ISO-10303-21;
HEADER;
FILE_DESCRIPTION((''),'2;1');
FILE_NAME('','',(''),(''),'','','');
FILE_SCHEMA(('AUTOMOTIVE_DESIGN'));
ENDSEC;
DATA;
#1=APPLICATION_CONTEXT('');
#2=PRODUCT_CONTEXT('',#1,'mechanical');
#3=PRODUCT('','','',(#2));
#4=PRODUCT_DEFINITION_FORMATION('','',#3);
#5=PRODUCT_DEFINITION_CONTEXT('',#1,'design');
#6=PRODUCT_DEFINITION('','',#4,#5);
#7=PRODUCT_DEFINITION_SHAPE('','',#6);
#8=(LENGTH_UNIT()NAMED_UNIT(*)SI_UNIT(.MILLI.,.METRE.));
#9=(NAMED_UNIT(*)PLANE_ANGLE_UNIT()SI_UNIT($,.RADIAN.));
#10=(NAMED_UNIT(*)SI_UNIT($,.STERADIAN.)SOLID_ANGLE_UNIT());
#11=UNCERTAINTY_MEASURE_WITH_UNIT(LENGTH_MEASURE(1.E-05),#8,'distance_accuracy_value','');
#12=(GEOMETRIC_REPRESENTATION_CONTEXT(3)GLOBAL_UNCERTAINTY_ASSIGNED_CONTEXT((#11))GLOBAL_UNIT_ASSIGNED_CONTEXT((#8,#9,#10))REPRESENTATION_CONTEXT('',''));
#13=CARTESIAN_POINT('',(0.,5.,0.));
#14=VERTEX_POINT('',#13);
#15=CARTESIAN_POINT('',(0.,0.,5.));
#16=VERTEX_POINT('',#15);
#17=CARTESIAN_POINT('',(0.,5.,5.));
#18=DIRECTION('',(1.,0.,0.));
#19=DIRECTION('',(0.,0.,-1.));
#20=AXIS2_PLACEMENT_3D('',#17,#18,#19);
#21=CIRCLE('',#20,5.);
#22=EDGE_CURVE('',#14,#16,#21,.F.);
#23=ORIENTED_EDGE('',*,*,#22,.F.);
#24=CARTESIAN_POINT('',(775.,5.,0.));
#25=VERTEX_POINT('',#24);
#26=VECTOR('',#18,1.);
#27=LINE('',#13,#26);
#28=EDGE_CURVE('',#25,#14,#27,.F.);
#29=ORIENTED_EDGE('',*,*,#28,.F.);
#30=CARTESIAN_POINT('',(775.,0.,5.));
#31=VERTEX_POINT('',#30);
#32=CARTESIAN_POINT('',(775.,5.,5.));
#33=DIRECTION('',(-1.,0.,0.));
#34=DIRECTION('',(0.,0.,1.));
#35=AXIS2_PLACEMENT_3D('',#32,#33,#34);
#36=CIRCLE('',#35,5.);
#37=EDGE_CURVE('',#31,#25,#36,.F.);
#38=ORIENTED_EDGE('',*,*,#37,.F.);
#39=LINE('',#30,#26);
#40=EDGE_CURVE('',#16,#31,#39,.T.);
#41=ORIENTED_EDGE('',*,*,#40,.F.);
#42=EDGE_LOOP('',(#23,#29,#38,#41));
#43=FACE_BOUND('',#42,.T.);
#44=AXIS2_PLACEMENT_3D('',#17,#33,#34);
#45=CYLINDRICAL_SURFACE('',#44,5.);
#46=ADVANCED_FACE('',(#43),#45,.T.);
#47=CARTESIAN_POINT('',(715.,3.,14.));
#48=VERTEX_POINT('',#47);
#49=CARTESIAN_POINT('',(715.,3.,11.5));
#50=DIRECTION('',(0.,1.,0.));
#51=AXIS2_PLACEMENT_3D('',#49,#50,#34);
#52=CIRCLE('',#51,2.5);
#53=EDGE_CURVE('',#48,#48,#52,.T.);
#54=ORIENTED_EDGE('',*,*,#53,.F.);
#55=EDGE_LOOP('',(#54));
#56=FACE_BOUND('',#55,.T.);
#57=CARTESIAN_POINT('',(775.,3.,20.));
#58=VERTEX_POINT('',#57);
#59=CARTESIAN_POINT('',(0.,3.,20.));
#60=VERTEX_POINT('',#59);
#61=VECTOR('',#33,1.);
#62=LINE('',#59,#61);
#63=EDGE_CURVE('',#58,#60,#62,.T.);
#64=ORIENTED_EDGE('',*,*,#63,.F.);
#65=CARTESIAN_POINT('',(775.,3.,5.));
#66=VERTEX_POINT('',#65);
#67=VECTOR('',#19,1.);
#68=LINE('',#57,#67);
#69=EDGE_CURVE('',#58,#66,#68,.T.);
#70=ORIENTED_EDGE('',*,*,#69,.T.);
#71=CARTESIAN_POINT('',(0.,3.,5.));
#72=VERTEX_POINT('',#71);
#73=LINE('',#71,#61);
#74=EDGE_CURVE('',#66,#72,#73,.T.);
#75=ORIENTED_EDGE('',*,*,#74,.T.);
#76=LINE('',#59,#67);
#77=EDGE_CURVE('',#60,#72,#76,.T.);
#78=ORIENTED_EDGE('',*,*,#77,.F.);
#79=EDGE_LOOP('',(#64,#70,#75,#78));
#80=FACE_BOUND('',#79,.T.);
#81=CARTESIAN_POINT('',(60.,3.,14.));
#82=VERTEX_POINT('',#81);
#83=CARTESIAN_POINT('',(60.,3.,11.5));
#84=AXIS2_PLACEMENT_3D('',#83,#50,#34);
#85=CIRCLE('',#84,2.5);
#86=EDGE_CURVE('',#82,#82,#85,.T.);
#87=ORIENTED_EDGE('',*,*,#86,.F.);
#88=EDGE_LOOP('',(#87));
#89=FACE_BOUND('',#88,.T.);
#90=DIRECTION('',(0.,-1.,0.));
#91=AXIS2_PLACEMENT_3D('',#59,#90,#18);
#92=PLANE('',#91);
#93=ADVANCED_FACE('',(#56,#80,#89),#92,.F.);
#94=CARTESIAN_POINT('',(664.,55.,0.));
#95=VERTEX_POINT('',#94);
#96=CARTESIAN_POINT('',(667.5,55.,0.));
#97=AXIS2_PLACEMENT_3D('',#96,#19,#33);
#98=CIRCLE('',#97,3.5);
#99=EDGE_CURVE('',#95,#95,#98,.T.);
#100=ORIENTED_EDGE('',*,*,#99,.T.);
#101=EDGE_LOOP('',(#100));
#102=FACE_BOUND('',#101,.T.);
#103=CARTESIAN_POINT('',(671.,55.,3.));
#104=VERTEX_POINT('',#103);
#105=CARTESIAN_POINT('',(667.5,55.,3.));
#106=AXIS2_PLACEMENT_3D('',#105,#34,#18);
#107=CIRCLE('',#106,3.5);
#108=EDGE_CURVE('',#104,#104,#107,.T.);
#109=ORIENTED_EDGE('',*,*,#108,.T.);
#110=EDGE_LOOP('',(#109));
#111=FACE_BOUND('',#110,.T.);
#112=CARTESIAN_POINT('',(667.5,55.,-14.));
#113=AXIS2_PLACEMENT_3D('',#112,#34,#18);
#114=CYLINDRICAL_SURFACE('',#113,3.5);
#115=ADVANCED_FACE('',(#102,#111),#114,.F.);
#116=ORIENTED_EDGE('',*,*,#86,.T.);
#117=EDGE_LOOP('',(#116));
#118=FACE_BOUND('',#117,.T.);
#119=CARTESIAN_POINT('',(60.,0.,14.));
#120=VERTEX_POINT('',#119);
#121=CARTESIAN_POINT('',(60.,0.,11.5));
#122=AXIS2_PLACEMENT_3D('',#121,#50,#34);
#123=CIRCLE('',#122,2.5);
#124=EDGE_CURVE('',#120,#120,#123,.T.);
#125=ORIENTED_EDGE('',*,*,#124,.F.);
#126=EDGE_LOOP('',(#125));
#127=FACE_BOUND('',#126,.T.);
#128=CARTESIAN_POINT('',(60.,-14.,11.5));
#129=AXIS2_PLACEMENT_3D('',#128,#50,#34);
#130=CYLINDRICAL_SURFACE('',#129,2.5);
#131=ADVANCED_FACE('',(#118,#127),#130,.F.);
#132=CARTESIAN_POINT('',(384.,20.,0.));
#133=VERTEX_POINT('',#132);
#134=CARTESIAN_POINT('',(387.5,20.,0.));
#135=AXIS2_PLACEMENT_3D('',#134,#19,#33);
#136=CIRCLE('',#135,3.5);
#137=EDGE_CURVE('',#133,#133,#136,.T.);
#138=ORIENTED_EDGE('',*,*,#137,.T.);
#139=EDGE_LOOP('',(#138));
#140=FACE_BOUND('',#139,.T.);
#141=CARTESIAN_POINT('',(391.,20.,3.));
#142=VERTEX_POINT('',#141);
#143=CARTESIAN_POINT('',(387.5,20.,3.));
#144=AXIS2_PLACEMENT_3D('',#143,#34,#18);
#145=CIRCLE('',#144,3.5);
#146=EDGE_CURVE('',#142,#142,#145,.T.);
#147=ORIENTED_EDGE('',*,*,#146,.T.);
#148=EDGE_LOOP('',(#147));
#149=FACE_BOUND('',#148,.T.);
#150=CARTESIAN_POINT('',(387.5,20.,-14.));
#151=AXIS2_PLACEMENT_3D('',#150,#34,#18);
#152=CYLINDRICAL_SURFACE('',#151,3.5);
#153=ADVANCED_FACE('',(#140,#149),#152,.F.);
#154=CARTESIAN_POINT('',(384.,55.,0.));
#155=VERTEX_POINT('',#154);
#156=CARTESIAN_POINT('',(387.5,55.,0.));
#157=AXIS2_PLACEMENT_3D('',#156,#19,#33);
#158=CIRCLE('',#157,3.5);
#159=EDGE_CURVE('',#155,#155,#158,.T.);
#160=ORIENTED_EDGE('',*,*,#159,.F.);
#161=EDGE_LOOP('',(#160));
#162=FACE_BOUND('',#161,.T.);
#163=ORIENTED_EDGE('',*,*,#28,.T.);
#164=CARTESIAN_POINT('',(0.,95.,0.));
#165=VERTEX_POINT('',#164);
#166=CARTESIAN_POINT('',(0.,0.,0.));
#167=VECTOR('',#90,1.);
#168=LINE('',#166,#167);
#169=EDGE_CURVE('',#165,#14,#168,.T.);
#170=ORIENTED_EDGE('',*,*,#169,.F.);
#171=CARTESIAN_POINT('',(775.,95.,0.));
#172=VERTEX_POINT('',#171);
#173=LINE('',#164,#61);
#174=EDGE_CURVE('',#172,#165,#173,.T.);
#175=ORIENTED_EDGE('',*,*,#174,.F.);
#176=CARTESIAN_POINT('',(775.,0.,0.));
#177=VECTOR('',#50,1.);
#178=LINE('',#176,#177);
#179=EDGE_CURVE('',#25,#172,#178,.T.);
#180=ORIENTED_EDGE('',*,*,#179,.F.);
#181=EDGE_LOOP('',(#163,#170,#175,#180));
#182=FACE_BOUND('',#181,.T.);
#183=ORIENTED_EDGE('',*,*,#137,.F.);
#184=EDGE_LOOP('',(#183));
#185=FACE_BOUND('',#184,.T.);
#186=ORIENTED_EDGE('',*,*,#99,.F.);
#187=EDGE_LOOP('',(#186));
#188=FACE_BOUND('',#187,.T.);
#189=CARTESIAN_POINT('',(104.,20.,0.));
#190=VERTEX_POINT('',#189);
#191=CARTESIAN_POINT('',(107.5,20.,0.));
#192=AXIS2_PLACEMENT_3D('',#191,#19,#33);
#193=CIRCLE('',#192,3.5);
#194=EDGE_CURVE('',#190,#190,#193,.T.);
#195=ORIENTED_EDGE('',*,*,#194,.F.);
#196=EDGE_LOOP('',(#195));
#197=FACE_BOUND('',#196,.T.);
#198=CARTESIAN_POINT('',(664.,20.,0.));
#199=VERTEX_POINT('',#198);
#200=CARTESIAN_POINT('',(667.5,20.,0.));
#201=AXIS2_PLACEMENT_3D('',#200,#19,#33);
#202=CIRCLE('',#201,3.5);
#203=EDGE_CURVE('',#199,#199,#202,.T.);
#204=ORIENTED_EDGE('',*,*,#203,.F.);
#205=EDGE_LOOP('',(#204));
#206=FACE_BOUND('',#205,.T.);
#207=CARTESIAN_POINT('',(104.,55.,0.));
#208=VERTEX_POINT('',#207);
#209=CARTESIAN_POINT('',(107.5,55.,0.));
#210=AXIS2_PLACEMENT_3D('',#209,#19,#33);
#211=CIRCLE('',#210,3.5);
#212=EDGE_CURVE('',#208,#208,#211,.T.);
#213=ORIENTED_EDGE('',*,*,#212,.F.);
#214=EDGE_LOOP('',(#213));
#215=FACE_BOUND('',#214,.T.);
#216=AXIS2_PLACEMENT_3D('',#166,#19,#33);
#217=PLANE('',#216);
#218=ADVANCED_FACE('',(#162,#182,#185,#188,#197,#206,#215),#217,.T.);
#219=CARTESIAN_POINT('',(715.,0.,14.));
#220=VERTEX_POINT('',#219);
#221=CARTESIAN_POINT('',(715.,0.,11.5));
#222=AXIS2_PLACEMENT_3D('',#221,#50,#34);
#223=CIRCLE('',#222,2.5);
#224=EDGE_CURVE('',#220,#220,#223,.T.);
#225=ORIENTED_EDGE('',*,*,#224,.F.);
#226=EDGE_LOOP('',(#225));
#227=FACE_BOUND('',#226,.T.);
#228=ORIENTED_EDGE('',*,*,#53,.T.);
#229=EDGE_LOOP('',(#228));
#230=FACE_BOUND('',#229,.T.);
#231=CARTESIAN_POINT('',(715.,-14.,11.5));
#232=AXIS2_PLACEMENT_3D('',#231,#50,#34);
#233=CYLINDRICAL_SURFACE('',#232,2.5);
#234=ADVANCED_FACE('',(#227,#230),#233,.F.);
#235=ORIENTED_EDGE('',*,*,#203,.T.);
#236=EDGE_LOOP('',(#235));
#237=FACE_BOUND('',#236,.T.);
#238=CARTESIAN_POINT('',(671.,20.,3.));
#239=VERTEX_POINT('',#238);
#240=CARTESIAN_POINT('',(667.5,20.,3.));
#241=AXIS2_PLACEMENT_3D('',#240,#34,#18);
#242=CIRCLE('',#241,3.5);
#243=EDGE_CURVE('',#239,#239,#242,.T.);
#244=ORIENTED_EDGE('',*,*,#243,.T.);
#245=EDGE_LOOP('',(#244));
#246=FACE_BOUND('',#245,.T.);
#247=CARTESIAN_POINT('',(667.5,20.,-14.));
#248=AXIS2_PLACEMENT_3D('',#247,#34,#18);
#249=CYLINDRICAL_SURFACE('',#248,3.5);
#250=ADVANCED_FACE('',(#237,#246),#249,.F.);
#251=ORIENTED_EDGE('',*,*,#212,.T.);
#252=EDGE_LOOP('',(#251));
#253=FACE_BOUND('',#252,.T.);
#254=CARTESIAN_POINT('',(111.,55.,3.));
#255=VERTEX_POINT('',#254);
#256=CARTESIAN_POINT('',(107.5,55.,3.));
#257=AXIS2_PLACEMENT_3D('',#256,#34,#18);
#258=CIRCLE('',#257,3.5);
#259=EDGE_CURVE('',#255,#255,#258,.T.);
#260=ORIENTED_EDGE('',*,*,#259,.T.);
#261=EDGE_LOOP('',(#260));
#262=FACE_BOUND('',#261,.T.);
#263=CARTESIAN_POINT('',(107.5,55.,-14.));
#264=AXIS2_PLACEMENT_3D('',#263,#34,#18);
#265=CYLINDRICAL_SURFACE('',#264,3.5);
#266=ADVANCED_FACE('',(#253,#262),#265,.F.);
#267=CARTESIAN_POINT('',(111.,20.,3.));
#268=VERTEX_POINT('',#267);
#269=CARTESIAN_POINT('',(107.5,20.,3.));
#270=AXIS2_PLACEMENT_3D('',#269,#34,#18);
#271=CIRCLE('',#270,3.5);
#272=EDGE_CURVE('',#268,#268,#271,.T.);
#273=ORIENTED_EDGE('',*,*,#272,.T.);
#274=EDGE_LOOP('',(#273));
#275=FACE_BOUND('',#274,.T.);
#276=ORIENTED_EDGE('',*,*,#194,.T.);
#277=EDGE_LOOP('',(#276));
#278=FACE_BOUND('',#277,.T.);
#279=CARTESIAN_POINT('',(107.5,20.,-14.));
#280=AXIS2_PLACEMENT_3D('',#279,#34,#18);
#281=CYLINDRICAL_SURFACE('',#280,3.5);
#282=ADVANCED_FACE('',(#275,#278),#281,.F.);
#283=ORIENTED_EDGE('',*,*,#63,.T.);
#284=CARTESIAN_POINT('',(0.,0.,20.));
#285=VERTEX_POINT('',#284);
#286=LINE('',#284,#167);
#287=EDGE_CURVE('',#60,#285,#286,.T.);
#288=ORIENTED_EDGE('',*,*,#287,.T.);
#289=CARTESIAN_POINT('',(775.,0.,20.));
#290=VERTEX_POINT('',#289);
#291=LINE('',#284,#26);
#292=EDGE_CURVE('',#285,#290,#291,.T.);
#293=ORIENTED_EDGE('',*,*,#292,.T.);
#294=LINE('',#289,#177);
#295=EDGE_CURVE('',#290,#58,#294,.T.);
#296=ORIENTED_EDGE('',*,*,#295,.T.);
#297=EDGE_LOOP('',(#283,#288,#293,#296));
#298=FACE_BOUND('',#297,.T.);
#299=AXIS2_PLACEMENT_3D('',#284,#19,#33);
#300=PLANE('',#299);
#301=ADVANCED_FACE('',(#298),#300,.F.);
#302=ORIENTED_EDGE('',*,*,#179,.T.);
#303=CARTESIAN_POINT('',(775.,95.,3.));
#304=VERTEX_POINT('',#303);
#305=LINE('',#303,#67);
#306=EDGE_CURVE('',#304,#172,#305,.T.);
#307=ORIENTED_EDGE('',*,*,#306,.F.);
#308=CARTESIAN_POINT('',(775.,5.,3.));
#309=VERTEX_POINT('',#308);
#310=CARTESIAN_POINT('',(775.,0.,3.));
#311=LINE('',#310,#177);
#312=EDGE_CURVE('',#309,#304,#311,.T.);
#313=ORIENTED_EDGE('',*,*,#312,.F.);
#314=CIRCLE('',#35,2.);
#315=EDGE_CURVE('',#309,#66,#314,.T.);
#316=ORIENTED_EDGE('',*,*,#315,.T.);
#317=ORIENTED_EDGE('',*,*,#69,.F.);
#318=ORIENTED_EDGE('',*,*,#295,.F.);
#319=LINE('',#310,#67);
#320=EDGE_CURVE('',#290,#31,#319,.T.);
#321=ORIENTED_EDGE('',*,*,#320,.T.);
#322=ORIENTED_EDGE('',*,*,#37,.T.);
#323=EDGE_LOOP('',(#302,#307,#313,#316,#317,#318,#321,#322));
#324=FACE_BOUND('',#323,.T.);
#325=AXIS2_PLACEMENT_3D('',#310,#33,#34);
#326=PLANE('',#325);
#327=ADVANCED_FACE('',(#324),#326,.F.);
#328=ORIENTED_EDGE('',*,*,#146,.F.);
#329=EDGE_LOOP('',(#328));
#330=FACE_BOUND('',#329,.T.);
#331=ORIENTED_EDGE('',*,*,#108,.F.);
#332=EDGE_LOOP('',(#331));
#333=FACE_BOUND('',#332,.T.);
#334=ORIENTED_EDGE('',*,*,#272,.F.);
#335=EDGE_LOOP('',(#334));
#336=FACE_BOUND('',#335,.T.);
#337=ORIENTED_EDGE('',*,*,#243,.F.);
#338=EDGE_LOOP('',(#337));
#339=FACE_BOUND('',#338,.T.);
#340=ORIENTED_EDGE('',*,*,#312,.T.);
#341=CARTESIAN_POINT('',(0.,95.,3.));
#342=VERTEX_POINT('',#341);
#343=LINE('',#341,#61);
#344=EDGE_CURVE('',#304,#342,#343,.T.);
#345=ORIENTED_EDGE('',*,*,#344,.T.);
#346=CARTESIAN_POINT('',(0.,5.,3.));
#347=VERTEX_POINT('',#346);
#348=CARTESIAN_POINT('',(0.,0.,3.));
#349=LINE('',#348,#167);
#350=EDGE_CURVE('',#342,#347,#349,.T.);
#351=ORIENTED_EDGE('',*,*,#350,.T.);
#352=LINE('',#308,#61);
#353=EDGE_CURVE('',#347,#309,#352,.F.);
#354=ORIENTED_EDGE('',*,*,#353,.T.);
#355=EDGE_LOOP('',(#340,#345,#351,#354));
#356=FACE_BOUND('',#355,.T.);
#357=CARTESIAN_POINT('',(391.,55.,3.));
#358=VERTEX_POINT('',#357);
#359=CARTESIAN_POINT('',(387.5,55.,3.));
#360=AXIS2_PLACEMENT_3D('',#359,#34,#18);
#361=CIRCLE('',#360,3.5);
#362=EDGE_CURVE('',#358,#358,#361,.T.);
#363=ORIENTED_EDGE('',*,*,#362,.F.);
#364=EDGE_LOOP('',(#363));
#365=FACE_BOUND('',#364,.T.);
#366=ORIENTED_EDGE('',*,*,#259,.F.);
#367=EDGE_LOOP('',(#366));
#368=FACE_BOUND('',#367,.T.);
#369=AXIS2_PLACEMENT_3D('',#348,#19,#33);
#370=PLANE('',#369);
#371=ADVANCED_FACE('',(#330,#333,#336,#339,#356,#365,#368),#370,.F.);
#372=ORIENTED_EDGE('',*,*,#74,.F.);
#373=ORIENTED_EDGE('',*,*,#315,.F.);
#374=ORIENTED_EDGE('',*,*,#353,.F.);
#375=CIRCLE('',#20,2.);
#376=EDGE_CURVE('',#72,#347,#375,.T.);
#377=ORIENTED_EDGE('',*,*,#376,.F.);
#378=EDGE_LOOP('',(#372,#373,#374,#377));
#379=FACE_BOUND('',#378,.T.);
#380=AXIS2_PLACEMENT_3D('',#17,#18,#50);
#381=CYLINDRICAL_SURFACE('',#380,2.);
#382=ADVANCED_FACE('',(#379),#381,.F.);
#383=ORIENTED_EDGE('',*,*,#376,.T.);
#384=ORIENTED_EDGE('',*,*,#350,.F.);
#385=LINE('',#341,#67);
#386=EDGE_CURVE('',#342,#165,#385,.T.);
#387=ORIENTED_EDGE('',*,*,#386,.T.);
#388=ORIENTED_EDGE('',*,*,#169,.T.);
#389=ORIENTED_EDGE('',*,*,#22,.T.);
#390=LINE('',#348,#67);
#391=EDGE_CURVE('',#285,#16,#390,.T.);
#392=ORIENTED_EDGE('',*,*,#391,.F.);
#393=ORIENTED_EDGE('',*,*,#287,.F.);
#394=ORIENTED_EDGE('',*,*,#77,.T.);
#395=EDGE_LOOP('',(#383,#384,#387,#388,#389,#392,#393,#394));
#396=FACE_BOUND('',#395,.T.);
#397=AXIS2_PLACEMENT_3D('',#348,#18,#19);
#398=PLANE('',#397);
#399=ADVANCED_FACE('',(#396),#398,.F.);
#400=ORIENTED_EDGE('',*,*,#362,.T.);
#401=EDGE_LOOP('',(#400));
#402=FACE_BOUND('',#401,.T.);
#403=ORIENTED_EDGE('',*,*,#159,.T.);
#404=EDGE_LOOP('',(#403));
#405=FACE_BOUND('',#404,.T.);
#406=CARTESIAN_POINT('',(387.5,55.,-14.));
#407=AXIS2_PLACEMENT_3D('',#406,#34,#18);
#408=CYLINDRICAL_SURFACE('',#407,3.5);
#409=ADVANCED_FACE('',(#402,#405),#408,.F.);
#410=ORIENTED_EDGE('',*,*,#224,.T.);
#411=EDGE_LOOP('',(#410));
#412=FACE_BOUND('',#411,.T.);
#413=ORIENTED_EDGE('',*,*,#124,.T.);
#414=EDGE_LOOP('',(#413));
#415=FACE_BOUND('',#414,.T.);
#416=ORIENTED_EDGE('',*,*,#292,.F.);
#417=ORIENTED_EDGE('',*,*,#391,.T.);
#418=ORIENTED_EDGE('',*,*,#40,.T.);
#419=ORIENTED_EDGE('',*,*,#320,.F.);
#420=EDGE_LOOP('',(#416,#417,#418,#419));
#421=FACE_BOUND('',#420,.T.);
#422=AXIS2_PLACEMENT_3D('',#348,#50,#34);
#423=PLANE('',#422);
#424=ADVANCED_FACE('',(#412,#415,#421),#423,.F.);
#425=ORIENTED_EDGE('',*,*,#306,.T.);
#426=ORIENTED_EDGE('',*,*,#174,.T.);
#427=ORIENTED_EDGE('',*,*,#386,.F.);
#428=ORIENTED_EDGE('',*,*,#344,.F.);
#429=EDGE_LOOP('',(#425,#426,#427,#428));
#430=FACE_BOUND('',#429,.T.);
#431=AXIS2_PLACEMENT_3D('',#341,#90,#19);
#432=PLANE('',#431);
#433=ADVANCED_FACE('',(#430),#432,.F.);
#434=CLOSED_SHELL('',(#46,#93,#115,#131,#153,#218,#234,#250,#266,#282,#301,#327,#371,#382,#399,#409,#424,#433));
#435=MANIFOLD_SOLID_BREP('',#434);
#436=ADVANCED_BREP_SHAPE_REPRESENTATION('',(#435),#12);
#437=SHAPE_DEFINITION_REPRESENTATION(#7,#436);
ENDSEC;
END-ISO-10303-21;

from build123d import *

# Parameters (mm, degrees)
SKETCH_1_W          = 775
SKETCH_1_H          = 95
EXTRUDE_1_DEPTH     = 3
SKETCH_2_W          = 775
SKETCH_2_H          = 3
EXTRUDE_2_DEPTH     = 17
SKETCH_3_R          = 3.5
CUT_EXTRUDE_1_DEPTH = 17
SKETCH_4_R          = 2.5
CUT_EXTRUDE_2_DEPTH = 17
FILLET_1_R          = 5
FILLET_2_R          = 2


with BuildPart() as part:
    # 스케치1 → 보스-돌출1 (new body)
    with BuildSketch(Plane.XY):
        with Locations((387.5, 47.5)):
            Rectangle(SKETCH_1_W, SKETCH_1_H)
    extrude(amount=EXTRUDE_1_DEPTH)

    # 스케치2 → 보스-돌출2 (add)
    with BuildSketch(Plane.XY.offset(3)):
        with Locations((387.5, 1.5)):
            Rectangle(SKETCH_2_W, SKETCH_2_H)
    extrude(amount=EXTRUDE_2_DEPTH)

    # 스케치3 → 컷-돌출1 (cut)
    with BuildSketch(Plane.XY.offset(3)):
        with Locations((107.5, 55)):
            Circle(SKETCH_3_R)
        with Locations((107.5, 20)):
            Circle(SKETCH_3_R)
        with Locations((387.5, 55)):
            Circle(SKETCH_3_R)
        with Locations((387.5, 20)):
            Circle(SKETCH_3_R)
        with Locations((667.5, 55)):
            Circle(SKETCH_3_R)
        with Locations((667.5, 20)):
            Circle(SKETCH_3_R)
    extrude(amount=-CUT_EXTRUDE_1_DEPTH, mode=Mode.SUBTRACT)

    # 스케치4 → 컷-돌출2 (cut)
    with BuildSketch(Plane(origin=(0, 3, 0), x_dir=(1, 0, 0), z_dir=(0, 1, 0))):
        with Locations(Location((60, -11.5, 0), (0, 0, 270))):
            Circle(SKETCH_4_R)
        with Locations(Location((715, -11.5, 0), (0, 0, 270))):
            Circle(SKETCH_4_R)
    extrude(amount=-CUT_EXTRUDE_2_DEPTH, mode=Mode.SUBTRACT)

    # 필렛1
    fillet_1_edges = [part.edges().sort_by_distance(p)[0] for p in [
        (387.5, 0, 0),
    ]]
    fillet(fillet_1_edges, radius=FILLET_1_R)

    # 필렛2
    fillet_2_edges = [part.edges().sort_by_distance(p)[0] for p in [
        (387.5, 3, 3),
    ]]
    fillet(fillet_2_edges, radius=FILLET_2_R)


solid = part.part
